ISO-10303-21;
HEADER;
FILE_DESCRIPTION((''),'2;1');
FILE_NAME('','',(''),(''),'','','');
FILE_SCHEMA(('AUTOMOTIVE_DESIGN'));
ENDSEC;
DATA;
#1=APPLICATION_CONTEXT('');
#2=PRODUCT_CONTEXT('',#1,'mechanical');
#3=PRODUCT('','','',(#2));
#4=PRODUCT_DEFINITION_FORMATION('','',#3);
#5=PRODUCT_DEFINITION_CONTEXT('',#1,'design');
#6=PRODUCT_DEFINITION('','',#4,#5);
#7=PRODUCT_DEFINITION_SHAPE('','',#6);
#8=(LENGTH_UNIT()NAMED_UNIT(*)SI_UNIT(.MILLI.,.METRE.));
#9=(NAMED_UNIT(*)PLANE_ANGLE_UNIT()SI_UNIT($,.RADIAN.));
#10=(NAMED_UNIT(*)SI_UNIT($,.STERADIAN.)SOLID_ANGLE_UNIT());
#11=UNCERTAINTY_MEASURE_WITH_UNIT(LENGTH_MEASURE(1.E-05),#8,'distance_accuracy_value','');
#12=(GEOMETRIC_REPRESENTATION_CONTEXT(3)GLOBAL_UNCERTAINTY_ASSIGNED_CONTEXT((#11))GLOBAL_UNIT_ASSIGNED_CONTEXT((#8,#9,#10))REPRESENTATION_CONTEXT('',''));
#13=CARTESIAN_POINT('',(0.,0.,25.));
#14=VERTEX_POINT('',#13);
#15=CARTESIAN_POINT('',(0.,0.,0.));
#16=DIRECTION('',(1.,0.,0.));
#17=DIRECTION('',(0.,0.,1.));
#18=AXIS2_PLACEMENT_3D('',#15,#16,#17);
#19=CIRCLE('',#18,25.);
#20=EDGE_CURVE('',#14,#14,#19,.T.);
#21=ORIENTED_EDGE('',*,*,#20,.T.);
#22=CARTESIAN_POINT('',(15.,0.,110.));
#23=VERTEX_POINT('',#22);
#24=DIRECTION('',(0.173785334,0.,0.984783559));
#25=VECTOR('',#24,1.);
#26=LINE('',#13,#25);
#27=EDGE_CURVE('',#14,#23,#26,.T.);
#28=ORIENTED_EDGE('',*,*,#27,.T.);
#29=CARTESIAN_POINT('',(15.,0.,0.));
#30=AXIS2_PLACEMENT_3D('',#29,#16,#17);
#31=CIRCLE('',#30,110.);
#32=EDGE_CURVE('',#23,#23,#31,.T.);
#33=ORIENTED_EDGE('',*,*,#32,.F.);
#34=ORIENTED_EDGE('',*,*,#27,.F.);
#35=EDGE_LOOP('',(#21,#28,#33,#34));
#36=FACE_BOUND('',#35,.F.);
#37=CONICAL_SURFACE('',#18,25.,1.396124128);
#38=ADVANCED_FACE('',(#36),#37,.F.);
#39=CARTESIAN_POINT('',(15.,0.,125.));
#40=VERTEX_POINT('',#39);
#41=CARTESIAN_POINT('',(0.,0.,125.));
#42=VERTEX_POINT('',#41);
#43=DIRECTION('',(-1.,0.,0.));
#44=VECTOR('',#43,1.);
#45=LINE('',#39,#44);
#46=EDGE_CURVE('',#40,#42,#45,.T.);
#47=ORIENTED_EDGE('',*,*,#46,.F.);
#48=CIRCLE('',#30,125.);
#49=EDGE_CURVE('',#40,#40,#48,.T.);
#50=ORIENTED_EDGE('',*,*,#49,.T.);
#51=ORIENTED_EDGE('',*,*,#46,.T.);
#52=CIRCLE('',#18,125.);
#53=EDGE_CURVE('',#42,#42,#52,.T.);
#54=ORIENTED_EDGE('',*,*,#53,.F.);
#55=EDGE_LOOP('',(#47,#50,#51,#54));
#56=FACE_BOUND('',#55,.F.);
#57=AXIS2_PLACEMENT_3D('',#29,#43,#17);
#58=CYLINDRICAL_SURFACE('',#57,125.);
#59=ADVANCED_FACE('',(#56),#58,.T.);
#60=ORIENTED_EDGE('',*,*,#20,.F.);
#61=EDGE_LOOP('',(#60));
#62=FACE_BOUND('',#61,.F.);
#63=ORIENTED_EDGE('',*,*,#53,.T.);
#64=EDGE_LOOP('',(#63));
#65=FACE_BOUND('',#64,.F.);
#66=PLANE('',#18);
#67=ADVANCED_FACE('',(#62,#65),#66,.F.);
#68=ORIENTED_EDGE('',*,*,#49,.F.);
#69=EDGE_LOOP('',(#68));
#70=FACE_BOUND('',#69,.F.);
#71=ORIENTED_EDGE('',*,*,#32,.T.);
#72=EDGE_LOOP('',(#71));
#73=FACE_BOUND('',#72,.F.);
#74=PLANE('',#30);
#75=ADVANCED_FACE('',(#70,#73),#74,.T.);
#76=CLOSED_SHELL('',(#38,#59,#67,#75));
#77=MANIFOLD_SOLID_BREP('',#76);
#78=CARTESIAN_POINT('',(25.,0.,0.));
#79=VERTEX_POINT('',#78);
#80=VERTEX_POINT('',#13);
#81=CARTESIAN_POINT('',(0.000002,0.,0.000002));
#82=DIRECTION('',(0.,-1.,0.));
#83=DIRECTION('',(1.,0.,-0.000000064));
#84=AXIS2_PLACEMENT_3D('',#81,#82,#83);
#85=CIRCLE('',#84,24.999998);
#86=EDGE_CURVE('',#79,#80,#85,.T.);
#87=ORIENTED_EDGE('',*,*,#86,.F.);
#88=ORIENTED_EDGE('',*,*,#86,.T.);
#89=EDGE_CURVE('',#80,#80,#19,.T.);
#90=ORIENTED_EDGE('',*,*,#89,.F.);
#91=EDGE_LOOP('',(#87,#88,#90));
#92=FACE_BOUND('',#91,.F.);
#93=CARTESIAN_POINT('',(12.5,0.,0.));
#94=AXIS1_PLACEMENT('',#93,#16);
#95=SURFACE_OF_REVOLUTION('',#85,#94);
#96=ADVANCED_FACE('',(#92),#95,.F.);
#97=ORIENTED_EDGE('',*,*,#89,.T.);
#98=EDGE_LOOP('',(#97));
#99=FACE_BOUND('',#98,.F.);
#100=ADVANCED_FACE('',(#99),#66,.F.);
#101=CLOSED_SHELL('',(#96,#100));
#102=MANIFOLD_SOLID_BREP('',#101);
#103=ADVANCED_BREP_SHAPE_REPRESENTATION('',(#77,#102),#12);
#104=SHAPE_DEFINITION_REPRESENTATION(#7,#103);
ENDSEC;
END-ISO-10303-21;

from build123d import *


with BuildPart() as f1:
    # F0 (on Front) → F1 (revolve)
    with BuildSketch(Plane.XZ):
        Polygon((0, 125), (0, 25), (15, 110), (15, 125), align=None)
        with BuildLine():
            Line((0, 25), (0, 0))
            Line((0, 0), (25, 0))
            ThreePointArc((25, 0), (17.67767, 17.67767), (0, 25))
        make_face()
    revolve(axis=Axis((12.5, 0, 0), (1, 0, 0)))


solid = f1.part
